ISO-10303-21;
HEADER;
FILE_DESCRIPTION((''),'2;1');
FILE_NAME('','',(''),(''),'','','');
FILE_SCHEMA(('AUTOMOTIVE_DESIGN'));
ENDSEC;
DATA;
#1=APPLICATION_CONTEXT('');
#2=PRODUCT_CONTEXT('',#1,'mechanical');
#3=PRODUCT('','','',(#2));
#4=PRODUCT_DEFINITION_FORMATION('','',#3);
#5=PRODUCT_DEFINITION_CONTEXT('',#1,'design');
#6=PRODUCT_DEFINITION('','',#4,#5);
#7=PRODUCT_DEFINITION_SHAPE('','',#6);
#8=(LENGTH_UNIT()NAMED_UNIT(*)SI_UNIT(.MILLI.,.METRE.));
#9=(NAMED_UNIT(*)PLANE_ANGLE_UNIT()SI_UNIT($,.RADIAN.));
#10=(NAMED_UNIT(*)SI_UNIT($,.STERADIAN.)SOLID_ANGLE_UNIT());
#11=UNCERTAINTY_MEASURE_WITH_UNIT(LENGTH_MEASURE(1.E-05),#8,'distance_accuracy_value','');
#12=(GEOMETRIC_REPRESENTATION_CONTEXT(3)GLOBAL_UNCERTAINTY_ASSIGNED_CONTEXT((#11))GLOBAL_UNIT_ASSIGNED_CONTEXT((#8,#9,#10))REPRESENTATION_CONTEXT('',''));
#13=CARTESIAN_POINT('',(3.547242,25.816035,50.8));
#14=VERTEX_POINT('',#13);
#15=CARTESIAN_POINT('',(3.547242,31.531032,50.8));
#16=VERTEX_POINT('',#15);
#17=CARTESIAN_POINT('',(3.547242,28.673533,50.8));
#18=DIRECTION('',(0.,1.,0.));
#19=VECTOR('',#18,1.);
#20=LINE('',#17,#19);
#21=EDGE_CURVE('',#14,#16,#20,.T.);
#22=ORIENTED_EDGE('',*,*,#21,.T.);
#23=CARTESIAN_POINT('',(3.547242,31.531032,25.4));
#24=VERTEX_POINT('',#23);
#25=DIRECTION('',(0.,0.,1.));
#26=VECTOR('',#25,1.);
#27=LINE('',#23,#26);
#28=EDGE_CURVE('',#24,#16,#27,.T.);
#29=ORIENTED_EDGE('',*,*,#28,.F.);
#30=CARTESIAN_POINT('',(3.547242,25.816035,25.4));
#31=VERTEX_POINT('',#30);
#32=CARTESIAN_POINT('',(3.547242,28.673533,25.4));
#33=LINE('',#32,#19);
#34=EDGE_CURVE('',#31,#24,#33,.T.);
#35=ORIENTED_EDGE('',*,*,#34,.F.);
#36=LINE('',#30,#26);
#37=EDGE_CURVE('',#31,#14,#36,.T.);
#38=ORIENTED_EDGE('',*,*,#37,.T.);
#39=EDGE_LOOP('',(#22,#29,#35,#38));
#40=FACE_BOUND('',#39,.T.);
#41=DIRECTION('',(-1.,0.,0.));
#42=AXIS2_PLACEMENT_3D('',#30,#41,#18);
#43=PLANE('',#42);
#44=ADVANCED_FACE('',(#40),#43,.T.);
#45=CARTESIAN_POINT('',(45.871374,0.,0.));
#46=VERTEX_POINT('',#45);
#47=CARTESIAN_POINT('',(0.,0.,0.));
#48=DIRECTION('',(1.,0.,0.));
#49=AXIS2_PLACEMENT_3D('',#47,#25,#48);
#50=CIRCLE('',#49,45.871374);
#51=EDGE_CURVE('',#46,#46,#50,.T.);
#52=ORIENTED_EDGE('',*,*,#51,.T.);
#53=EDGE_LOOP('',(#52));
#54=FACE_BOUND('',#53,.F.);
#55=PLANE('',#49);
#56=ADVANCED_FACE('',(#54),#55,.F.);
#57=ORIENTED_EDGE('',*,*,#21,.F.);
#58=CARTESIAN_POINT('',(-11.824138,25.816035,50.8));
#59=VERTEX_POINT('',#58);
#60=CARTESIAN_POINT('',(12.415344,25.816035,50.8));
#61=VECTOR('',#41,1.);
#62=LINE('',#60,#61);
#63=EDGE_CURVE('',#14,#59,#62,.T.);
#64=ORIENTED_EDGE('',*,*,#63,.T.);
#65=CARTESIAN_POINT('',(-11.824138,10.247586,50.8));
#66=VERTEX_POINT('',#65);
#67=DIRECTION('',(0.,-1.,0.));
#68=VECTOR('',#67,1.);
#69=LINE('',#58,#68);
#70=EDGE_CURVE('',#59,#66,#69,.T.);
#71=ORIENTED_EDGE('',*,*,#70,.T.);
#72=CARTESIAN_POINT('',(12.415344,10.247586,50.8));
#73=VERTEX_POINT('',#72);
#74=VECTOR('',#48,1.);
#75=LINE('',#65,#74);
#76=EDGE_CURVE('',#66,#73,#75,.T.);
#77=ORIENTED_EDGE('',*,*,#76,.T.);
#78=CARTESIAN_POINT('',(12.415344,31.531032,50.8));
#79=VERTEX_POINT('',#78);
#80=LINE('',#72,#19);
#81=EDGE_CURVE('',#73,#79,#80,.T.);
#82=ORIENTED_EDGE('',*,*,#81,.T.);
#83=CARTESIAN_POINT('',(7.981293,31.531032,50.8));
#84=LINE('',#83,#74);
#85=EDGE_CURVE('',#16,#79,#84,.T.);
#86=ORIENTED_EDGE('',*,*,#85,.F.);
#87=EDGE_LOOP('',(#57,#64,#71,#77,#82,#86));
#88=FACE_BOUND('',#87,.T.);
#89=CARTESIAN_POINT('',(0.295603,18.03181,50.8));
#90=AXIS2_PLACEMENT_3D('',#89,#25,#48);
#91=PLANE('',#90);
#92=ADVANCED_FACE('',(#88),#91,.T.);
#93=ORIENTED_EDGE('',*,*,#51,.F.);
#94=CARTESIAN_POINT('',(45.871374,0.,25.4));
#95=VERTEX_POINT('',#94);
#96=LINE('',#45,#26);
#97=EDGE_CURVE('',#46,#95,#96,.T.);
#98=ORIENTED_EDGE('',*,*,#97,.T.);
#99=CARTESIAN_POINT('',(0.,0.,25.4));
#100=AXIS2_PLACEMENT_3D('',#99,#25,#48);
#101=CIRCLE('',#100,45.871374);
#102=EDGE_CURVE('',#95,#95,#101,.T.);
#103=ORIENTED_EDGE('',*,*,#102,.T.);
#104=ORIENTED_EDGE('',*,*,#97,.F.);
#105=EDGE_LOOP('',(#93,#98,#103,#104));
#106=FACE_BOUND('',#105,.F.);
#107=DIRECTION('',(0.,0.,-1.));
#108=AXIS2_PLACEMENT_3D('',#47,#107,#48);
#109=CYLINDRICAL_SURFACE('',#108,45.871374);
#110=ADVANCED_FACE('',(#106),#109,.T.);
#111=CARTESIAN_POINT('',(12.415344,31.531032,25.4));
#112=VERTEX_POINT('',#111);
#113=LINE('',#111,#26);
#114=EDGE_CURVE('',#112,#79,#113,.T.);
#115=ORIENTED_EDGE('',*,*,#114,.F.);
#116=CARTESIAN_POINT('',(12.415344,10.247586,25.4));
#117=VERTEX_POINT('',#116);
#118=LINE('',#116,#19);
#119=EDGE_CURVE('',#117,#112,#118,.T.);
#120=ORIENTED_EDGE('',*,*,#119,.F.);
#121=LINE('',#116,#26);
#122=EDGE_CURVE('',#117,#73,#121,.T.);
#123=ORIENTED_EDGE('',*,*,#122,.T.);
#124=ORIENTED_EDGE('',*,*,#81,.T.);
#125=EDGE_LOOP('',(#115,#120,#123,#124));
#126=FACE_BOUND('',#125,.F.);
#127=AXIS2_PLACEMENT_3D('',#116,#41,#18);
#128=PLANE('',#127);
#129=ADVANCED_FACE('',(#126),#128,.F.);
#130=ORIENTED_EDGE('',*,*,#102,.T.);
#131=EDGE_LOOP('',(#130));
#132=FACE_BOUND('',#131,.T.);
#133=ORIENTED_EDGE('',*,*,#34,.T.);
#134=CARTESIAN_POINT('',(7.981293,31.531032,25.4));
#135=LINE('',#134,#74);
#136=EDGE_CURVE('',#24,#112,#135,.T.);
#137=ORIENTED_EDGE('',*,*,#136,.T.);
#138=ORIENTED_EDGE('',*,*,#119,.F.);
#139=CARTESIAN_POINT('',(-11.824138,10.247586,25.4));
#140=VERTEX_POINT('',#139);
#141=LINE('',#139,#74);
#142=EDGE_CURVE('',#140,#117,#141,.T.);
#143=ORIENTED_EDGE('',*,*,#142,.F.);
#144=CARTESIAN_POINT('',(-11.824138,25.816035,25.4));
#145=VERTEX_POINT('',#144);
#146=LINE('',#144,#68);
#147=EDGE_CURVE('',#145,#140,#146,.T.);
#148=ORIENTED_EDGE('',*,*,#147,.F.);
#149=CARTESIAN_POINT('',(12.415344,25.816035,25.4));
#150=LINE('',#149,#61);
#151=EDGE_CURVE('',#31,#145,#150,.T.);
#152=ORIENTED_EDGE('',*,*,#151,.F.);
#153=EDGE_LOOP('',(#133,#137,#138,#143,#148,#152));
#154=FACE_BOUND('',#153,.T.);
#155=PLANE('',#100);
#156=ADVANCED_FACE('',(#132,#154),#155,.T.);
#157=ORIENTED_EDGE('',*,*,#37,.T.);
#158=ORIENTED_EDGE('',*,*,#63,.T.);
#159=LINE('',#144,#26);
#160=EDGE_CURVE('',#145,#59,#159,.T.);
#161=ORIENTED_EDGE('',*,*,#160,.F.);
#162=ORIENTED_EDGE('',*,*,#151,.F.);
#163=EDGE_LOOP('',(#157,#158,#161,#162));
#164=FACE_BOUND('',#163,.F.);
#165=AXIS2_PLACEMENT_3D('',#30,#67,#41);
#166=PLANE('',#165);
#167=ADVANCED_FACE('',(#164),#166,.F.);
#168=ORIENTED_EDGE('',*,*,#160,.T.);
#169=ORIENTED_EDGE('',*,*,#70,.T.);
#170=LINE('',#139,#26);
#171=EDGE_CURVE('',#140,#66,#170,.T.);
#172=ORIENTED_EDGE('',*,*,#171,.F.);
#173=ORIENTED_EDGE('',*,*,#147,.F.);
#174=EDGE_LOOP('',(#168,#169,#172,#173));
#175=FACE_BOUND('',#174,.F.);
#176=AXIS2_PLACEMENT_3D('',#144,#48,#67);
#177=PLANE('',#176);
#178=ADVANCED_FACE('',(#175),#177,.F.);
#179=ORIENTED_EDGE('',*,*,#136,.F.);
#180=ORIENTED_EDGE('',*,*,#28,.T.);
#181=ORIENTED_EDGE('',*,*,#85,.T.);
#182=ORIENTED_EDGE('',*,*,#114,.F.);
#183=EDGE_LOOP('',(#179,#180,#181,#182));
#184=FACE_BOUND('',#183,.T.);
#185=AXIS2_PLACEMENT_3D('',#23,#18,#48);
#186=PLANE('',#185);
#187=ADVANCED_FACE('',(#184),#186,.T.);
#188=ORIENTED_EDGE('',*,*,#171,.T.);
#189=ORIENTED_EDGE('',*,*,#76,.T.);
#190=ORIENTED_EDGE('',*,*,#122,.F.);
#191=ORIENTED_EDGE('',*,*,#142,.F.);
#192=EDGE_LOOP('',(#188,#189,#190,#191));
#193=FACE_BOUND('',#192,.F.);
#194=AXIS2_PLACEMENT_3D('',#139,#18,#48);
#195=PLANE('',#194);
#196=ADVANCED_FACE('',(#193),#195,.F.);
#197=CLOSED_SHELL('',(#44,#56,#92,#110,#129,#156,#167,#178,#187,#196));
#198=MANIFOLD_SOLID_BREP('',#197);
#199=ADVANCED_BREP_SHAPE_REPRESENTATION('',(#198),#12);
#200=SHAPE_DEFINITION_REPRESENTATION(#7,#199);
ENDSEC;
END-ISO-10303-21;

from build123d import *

# Parameters (mm, degrees)
F0_R     = 45.871374
F1_DEPTH = 25.4
F2_W     = 8.868102
F2_H     = 5.714997
F3_DEPTH = 25.4


with BuildPart() as f1:
    # F0 (on Top) → F1 (new body)
    with BuildSketch(Plane.XY):
        Circle(F0_R)
    extrude(amount=F1_DEPTH)

    # F2 (on face) → F3 (join)
    with BuildSketch(Plane.XY.offset(25.4)):
        Polygon((3.547242, 25.816035), (-11.824138, 25.816035), (-11.824138, 10.247586), (12.415344, 10.247586), (12.415344, 25.816035), align=None)
        with Locations((7.981293, 28.673533)):
            Rectangle(F2_W, F2_H)
    extrude(amount=F3_DEPTH)


solid = f1.part
